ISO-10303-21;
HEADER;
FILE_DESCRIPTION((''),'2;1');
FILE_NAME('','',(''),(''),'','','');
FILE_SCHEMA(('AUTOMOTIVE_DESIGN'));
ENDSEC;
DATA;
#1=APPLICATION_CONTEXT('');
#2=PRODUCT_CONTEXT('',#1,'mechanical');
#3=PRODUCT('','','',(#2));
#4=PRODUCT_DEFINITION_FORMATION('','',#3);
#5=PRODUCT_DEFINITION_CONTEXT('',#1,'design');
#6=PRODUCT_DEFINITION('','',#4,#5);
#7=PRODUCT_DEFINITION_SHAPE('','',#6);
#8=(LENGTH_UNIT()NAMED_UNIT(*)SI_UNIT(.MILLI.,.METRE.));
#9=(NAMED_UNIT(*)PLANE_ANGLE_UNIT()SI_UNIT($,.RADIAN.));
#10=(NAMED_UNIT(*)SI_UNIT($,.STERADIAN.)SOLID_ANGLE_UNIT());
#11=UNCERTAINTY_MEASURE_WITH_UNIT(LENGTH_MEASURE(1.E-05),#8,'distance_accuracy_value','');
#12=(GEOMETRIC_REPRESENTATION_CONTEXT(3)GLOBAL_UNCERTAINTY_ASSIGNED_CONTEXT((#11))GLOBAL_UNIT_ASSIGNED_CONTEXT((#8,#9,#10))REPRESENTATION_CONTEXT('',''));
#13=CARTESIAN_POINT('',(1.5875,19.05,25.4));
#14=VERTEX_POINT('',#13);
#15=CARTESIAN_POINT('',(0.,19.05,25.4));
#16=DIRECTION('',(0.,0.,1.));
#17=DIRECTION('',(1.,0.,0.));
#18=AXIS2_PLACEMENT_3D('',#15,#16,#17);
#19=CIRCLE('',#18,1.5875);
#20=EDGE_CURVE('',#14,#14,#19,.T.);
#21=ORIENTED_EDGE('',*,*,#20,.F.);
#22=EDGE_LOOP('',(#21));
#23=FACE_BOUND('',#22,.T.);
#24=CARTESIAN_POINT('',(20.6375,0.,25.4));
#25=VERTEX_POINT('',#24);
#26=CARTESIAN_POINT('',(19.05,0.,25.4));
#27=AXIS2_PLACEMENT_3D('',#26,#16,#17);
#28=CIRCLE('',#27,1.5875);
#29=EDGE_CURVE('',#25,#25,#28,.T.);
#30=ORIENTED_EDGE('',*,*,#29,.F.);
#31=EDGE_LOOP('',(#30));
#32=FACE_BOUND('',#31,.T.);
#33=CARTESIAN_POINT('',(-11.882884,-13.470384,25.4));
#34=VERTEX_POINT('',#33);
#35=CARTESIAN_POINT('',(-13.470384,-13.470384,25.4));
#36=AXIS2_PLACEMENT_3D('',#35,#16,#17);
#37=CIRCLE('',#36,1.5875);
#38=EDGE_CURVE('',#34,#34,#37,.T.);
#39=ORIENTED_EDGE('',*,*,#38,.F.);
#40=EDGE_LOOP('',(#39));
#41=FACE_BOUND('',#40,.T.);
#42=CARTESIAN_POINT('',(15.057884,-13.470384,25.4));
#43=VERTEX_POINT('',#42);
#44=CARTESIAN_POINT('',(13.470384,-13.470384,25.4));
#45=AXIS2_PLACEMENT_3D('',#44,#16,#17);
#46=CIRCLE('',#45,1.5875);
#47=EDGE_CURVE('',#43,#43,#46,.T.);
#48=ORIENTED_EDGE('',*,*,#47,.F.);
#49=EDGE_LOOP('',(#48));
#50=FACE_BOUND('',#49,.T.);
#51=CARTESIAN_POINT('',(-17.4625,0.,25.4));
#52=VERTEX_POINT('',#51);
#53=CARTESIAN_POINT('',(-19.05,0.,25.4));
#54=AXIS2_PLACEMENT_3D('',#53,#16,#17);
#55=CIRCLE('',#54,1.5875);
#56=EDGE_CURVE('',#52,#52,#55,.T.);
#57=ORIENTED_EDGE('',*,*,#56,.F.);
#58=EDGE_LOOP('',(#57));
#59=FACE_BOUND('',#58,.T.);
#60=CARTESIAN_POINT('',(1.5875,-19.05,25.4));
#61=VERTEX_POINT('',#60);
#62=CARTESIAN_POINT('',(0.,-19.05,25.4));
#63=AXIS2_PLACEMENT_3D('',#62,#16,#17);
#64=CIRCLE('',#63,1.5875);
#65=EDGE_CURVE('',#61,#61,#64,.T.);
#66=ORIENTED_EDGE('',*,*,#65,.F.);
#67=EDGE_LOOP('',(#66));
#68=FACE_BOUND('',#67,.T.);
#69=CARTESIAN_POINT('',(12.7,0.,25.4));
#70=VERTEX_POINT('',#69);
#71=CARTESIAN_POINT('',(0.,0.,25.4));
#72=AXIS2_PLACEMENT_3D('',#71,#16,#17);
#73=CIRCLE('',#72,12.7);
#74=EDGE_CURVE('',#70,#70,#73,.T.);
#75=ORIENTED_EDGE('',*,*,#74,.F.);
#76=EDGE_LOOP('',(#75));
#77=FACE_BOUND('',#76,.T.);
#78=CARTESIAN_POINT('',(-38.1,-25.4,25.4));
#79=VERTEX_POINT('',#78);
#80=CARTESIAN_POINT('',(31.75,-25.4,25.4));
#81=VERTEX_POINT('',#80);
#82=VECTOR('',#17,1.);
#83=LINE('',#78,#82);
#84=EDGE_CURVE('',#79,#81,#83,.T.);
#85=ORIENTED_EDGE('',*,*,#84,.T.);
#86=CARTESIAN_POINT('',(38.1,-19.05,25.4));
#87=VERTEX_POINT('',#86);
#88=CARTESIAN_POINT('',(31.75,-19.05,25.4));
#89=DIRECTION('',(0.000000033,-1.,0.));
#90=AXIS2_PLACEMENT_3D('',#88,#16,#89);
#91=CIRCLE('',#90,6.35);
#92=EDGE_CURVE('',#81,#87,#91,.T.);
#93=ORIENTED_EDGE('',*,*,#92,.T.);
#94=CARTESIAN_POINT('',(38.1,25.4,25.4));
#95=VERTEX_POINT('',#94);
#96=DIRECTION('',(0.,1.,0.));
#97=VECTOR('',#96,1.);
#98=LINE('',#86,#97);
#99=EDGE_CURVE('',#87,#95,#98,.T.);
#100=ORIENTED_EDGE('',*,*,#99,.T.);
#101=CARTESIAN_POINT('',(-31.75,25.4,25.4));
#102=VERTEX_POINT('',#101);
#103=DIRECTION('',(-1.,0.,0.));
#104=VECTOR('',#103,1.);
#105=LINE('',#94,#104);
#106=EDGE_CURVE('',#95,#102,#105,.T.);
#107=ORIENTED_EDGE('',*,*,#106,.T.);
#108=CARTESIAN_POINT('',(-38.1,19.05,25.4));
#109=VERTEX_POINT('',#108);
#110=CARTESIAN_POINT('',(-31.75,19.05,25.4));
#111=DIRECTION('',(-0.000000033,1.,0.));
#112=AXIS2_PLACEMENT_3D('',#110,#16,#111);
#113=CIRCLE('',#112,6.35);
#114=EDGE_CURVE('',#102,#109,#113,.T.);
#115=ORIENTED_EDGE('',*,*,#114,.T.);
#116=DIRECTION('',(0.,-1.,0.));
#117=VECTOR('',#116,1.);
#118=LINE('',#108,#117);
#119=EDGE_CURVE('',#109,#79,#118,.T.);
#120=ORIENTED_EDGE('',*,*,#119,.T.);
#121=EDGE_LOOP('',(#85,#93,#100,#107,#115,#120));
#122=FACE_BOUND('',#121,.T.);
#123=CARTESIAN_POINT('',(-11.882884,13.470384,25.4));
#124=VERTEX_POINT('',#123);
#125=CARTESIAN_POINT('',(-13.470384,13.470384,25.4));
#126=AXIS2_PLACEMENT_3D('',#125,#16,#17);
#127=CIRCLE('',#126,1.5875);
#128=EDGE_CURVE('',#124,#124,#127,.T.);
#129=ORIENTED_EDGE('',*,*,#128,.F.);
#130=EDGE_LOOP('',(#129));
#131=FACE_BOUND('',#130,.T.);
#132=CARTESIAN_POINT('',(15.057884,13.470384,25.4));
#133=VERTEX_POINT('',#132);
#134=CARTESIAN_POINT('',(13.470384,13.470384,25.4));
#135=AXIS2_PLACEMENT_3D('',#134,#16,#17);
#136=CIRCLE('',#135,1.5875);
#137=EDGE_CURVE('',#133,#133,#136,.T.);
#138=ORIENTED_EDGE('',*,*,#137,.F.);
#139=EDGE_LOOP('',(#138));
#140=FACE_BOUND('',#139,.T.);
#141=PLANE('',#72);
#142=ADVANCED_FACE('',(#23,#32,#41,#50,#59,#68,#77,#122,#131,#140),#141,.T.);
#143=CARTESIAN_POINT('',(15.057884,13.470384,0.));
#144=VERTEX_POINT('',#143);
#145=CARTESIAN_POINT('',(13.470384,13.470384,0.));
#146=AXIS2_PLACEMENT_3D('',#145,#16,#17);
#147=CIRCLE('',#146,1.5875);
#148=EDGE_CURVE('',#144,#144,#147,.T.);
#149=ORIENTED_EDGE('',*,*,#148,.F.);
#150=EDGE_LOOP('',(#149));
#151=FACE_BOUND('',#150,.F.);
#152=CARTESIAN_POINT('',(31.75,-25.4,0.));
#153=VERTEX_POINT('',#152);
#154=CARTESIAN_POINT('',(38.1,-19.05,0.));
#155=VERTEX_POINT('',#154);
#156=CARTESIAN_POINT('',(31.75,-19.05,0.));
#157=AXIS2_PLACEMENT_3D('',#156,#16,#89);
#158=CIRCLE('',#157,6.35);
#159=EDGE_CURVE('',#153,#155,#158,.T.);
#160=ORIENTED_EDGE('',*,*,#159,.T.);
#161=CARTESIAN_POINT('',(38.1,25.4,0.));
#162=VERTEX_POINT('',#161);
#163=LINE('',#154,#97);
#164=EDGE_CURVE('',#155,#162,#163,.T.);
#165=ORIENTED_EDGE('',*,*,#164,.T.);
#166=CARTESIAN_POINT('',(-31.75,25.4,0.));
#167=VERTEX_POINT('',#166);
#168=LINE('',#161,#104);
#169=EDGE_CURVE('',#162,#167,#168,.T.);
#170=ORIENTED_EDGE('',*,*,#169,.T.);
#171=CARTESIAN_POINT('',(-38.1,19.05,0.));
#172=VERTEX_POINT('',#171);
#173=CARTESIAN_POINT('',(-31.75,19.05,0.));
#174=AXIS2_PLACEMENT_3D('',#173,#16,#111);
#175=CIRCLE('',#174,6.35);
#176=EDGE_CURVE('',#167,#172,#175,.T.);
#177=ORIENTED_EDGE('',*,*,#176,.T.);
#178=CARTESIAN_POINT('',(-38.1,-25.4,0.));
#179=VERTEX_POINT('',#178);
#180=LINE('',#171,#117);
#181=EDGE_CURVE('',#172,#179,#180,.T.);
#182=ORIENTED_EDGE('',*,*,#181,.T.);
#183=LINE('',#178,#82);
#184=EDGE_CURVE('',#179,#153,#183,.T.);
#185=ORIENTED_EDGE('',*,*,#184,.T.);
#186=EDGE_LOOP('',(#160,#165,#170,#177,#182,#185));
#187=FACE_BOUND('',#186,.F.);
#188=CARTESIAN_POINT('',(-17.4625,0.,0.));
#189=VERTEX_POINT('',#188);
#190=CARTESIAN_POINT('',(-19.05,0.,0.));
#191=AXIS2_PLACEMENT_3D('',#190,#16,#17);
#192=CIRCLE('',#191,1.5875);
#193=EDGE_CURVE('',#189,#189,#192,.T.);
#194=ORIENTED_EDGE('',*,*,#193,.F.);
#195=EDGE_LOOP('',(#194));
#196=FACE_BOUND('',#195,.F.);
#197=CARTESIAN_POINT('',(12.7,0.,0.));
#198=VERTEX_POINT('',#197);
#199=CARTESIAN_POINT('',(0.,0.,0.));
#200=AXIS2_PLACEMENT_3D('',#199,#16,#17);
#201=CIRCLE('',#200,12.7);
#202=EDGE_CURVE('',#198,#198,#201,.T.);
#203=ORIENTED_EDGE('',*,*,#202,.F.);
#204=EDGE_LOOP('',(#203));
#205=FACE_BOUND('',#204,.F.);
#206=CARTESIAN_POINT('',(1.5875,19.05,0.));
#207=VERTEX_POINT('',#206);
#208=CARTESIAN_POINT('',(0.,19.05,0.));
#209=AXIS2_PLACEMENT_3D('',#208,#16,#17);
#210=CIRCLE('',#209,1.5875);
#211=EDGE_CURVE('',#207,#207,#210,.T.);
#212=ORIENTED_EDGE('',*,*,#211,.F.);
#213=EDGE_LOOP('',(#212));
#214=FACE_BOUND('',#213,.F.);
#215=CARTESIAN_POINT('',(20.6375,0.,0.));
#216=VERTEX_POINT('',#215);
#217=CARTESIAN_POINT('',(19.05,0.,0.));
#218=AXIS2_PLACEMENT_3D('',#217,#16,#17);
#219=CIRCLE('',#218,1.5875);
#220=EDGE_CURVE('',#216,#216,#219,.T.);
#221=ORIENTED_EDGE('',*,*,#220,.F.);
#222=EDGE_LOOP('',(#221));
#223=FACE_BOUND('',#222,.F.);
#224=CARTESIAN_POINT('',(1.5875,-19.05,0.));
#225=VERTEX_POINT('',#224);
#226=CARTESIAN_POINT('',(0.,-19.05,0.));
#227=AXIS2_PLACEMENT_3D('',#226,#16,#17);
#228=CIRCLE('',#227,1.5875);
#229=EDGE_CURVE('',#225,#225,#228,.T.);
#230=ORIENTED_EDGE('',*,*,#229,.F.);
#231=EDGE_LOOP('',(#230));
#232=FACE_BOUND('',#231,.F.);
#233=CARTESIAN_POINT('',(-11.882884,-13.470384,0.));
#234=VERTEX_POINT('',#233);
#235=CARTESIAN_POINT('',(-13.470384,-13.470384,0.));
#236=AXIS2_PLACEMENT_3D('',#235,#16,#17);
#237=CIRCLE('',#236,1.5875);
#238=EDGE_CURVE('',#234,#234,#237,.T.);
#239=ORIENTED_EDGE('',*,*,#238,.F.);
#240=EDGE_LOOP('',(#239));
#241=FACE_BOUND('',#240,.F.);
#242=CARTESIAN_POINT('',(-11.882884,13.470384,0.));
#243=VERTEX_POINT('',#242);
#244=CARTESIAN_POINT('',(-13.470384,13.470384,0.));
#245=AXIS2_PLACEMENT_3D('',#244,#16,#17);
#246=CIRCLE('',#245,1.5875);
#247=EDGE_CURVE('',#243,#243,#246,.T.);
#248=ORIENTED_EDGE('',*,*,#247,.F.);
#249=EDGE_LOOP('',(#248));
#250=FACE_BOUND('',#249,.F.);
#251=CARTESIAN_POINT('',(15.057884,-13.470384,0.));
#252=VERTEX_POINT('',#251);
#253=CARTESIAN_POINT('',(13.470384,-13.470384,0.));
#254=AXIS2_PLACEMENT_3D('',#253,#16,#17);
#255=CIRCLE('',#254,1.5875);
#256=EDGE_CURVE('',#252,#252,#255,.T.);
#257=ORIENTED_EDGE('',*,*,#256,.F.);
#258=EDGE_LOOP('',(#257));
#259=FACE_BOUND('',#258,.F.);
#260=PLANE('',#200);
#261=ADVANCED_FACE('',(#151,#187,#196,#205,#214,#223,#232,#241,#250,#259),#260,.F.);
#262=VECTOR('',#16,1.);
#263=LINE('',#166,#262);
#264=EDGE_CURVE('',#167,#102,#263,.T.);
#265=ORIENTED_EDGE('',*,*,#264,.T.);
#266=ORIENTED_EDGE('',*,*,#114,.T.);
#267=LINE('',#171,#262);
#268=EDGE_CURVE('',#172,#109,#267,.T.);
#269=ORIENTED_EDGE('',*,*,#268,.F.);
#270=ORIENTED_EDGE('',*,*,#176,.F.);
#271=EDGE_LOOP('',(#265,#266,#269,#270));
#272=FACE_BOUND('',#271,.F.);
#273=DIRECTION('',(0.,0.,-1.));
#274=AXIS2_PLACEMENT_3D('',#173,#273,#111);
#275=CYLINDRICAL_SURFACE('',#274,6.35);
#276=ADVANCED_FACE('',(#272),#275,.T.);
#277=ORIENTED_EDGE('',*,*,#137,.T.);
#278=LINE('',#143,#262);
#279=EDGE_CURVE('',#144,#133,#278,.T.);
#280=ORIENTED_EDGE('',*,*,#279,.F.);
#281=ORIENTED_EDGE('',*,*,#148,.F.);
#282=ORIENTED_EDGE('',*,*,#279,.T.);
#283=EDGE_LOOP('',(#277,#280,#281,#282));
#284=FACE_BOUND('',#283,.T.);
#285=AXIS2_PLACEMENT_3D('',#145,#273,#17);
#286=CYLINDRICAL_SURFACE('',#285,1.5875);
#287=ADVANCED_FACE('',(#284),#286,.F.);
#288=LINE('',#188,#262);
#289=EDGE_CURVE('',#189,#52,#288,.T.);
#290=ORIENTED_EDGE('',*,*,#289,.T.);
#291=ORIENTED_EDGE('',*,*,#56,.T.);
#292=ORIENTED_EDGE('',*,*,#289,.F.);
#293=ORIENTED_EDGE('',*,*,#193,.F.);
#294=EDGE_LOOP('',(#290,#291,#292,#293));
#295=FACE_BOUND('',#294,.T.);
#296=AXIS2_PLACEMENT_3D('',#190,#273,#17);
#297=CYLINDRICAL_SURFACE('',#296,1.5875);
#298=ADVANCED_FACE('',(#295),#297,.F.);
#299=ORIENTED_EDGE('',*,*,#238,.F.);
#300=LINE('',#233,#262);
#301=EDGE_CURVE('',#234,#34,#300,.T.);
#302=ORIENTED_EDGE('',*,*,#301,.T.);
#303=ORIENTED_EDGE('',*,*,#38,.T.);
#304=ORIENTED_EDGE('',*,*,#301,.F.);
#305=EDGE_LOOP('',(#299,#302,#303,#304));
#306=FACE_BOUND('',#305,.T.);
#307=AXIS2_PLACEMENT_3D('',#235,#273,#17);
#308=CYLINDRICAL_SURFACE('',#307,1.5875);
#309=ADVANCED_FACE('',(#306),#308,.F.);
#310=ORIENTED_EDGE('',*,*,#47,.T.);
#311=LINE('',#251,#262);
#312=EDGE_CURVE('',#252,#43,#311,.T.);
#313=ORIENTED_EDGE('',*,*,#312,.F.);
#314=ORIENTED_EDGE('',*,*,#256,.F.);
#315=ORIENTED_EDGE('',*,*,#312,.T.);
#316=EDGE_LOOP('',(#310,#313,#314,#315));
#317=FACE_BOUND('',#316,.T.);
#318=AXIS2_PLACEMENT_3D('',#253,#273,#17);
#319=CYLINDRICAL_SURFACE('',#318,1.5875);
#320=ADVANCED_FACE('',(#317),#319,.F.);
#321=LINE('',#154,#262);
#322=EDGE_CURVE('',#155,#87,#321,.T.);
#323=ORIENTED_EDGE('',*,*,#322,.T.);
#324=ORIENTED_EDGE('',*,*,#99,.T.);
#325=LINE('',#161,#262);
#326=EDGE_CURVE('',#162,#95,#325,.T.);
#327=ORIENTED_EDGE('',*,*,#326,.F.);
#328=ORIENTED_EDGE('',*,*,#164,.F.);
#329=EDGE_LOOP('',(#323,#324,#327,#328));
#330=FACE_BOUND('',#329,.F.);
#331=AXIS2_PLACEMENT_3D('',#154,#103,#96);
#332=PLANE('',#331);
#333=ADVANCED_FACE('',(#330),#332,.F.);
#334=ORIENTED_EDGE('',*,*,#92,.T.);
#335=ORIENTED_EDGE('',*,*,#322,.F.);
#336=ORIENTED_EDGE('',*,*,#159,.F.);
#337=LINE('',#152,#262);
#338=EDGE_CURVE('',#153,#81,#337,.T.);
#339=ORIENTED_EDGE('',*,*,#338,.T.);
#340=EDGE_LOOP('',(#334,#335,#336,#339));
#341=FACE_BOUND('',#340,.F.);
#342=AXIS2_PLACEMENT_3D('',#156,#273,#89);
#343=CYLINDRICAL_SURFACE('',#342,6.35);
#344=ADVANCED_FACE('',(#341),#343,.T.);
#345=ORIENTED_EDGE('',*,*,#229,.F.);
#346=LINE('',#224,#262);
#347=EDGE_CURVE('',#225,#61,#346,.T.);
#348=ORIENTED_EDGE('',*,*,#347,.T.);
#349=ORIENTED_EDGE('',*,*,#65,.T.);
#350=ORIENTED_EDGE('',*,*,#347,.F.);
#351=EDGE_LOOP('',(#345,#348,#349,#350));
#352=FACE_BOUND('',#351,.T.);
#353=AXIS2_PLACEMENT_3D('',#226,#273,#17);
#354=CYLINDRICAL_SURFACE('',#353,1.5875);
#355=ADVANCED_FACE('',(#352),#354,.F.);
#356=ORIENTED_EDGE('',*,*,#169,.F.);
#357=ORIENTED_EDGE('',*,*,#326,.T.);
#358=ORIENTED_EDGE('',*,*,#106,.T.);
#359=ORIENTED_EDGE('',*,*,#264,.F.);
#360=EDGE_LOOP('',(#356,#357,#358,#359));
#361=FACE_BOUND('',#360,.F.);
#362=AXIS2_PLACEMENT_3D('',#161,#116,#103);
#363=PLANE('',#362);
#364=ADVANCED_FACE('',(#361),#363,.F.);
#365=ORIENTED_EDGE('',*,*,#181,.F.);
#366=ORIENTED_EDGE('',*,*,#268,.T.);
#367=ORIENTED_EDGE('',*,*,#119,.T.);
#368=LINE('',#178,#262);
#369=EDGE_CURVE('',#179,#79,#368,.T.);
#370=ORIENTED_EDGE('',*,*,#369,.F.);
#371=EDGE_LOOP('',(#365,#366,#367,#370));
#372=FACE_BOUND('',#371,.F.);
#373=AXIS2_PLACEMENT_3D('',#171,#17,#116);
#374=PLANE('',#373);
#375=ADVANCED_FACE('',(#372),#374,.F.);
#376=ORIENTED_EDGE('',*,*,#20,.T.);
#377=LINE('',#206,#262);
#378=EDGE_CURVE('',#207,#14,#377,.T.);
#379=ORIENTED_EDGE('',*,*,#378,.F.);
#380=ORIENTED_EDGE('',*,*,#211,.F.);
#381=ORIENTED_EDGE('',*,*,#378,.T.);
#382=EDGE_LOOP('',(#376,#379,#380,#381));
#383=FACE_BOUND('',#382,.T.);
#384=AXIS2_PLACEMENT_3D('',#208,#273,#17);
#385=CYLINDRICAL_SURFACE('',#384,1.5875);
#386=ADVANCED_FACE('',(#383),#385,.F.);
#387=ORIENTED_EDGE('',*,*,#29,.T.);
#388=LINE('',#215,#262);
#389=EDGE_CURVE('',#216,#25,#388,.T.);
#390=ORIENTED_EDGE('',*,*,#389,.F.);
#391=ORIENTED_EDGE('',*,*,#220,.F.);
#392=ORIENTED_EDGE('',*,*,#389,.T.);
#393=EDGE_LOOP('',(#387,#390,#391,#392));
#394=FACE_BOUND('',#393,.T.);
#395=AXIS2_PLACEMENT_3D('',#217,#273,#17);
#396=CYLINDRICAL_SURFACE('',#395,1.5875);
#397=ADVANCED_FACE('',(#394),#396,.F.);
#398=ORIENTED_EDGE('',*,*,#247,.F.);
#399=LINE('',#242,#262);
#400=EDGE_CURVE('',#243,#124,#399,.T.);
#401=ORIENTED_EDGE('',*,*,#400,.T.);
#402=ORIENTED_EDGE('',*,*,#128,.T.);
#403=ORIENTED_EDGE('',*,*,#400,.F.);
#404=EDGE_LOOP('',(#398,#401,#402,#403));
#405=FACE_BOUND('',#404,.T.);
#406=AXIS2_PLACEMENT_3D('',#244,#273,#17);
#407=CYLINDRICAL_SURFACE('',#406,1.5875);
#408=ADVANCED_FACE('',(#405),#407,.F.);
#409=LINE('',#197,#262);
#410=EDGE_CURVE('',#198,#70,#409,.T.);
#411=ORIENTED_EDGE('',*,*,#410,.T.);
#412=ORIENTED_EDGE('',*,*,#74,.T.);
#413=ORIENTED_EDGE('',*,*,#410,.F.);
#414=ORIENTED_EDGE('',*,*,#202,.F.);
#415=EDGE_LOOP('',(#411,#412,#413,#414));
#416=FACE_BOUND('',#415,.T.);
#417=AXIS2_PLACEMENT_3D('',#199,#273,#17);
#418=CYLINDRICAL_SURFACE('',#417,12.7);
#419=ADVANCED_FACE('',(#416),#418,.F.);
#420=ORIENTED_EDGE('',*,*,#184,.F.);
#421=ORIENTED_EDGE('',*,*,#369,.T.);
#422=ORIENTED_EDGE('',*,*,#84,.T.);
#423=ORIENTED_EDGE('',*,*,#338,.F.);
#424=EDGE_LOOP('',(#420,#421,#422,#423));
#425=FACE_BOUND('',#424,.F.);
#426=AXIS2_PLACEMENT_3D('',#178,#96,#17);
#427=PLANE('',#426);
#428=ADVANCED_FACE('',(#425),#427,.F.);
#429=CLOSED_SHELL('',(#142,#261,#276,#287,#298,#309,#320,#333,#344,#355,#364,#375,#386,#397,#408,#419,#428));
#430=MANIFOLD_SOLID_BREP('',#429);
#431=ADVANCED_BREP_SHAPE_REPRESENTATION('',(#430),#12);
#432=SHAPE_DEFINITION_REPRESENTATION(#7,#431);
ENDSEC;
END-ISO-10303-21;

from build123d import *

# Parameters (mm, degrees)
F0_R     = 1.5875
F0_R_2   = 12.7
F1_DEPTH = 25.4


with BuildPart() as f1:
    # F0 (on Top) → F1 (new body)
    with BuildSketch(Plane.XY):
        with BuildLine():
            Line((38.1, -19.05), (38.1, 25.4))
            Line((38.1, 25.4), (-31.75, 25.4))
            ThreePointArc((-31.75, 25.4), (-36.240128, 23.540128), (-38.1, 19.05))
            Line((-38.1, 19.05), (-38.1, -25.4))
            Line((-38.1, -25.4), (31.75, -25.4))
            ThreePointArc((31.75, -25.4), (36.240128, -23.540128), (38.1, -19.05))
        make_face()
        with Locations((-13.470384, -13.470384)):
            Circle(F0_R, mode=Mode.SUBTRACT)
        with Locations((0, -19.05)):
            Circle(F0_R, mode=Mode.SUBTRACT)
        with Locations((-19.05, 0)):
            Circle(F0_R, mode=Mode.SUBTRACT)
        Circle(F0_R_2, mode=Mode.SUBTRACT)
        with Locations((13.470384, -13.470384)):
            Circle(F0_R, mode=Mode.SUBTRACT)
        with Locations((19.05, 0)):
            Circle(F0_R, mode=Mode.SUBTRACT)
        with Locations((-13.470384, 13.470384)):
            Circle(F0_R, mode=Mode.SUBTRACT)
        with Locations((0, 19.05)):
            Circle(F0_R, mode=Mode.SUBTRACT)
        with Locations((13.470384, 13.470384)):
            Circle(F0_R, mode=Mode.SUBTRACT)
    extrude(amount=F1_DEPTH)


solid = f1.part
